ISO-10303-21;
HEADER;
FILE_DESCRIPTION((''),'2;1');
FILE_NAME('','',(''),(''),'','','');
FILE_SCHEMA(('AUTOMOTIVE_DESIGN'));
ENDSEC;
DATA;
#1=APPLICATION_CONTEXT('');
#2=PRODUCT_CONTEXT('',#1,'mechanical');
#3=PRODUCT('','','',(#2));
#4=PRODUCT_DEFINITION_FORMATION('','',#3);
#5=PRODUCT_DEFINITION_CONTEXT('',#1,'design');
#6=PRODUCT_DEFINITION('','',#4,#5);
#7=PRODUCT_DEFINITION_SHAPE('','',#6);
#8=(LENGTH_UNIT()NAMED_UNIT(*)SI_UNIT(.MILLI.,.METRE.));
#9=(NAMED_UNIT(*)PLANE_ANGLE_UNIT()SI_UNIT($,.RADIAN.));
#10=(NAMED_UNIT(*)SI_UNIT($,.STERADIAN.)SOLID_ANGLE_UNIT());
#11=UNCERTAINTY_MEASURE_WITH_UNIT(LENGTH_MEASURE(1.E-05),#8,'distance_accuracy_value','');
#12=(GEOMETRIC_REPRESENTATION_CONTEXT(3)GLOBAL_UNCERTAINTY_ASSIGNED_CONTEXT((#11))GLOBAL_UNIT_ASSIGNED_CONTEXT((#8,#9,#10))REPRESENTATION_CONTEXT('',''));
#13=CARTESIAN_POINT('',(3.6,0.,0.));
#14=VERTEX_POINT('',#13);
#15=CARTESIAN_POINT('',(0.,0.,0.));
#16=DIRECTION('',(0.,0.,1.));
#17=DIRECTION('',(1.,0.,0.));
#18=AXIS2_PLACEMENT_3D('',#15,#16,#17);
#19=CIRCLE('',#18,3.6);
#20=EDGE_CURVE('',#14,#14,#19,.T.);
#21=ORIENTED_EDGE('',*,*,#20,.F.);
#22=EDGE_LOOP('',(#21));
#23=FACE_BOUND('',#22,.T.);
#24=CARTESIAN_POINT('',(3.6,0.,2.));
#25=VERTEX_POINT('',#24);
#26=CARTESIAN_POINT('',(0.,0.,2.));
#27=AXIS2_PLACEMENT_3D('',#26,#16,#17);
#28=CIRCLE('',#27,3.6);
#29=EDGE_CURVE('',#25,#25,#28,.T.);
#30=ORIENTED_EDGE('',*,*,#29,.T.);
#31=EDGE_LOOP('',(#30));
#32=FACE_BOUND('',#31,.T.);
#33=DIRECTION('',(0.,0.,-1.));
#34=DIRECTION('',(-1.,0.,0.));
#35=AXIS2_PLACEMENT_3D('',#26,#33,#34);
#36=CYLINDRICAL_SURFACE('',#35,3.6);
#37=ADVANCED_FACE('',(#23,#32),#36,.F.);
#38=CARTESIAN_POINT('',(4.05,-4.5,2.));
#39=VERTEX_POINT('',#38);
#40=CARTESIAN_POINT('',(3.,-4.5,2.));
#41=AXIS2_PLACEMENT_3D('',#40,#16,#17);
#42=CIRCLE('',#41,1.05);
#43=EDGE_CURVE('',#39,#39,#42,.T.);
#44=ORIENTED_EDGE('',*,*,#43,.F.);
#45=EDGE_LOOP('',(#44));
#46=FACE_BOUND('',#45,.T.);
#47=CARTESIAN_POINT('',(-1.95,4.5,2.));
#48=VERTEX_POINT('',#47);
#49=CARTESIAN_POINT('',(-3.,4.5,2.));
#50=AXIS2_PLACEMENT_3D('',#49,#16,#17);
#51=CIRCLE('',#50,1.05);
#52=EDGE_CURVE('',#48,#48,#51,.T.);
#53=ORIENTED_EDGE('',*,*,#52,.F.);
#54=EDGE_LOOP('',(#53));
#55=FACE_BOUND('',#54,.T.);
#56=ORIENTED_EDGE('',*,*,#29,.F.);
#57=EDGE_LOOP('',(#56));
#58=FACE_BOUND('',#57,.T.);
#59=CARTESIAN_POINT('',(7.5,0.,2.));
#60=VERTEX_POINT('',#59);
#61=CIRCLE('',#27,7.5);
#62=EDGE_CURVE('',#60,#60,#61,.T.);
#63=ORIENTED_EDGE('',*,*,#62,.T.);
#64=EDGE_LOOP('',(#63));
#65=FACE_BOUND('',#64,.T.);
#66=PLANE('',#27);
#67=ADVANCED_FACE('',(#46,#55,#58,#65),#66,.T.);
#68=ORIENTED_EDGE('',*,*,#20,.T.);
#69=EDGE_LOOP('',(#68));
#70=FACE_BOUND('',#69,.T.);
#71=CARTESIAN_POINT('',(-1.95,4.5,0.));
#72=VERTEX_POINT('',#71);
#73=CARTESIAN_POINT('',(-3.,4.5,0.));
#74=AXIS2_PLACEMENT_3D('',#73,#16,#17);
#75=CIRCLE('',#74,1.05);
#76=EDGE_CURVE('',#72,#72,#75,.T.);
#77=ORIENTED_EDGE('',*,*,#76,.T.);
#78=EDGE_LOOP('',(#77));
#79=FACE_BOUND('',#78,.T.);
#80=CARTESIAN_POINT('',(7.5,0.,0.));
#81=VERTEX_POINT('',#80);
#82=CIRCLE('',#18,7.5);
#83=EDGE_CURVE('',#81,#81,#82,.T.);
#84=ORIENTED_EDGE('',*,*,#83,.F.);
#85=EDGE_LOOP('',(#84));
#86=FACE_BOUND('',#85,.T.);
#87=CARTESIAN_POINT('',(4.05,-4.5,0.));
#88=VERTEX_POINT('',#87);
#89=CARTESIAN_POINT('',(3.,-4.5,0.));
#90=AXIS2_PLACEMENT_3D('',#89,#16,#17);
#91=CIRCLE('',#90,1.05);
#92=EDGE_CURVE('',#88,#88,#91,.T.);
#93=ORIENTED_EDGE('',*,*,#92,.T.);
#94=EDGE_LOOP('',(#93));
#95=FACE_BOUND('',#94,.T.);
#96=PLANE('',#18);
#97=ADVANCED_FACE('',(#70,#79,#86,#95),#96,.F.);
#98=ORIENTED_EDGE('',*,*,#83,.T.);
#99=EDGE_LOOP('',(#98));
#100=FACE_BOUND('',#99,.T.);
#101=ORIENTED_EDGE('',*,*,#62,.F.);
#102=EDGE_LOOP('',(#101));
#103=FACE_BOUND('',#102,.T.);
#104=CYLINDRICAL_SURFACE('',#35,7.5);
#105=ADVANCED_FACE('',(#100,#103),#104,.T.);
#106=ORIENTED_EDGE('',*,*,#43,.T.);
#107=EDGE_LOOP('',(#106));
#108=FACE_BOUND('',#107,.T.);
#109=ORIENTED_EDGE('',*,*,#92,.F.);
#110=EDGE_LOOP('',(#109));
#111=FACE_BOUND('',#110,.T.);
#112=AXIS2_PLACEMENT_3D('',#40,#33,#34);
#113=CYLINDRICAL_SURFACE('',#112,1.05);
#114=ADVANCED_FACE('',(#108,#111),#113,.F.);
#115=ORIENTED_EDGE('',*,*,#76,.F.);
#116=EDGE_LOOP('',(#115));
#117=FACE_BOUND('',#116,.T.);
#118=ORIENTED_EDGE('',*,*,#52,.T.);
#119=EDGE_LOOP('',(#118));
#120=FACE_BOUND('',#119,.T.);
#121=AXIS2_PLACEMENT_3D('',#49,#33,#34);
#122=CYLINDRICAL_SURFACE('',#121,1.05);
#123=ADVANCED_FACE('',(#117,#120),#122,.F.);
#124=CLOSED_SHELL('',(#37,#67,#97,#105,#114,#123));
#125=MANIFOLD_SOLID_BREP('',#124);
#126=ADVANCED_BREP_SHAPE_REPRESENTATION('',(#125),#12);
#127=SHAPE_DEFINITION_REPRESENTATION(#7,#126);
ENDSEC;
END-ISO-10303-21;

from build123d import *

# Parameters (mm, degrees)
ESQUISSE2_R        = 7.5
ESQUISSE2_R_2      = 1.05
ESQUISSE2_R_3      = 3.6
BOSS_EXTRU_1_DEPTH = 2


with BuildPart() as part:
    # Esquisse2 → Boss.-Extru.1 (new body)
    with BuildSketch(Plane.XY):
        Circle(ESQUISSE2_R)
        with Locations((-3, 4.5)):
            Circle(ESQUISSE2_R_2, mode=Mode.SUBTRACT)
        with Locations((3, -4.5)):
            Circle(ESQUISSE2_R_2, mode=Mode.SUBTRACT)
        Circle(ESQUISSE2_R_3, mode=Mode.SUBTRACT)
    extrude(amount=BOSS_EXTRU_1_DEPTH)


solid = part.part
